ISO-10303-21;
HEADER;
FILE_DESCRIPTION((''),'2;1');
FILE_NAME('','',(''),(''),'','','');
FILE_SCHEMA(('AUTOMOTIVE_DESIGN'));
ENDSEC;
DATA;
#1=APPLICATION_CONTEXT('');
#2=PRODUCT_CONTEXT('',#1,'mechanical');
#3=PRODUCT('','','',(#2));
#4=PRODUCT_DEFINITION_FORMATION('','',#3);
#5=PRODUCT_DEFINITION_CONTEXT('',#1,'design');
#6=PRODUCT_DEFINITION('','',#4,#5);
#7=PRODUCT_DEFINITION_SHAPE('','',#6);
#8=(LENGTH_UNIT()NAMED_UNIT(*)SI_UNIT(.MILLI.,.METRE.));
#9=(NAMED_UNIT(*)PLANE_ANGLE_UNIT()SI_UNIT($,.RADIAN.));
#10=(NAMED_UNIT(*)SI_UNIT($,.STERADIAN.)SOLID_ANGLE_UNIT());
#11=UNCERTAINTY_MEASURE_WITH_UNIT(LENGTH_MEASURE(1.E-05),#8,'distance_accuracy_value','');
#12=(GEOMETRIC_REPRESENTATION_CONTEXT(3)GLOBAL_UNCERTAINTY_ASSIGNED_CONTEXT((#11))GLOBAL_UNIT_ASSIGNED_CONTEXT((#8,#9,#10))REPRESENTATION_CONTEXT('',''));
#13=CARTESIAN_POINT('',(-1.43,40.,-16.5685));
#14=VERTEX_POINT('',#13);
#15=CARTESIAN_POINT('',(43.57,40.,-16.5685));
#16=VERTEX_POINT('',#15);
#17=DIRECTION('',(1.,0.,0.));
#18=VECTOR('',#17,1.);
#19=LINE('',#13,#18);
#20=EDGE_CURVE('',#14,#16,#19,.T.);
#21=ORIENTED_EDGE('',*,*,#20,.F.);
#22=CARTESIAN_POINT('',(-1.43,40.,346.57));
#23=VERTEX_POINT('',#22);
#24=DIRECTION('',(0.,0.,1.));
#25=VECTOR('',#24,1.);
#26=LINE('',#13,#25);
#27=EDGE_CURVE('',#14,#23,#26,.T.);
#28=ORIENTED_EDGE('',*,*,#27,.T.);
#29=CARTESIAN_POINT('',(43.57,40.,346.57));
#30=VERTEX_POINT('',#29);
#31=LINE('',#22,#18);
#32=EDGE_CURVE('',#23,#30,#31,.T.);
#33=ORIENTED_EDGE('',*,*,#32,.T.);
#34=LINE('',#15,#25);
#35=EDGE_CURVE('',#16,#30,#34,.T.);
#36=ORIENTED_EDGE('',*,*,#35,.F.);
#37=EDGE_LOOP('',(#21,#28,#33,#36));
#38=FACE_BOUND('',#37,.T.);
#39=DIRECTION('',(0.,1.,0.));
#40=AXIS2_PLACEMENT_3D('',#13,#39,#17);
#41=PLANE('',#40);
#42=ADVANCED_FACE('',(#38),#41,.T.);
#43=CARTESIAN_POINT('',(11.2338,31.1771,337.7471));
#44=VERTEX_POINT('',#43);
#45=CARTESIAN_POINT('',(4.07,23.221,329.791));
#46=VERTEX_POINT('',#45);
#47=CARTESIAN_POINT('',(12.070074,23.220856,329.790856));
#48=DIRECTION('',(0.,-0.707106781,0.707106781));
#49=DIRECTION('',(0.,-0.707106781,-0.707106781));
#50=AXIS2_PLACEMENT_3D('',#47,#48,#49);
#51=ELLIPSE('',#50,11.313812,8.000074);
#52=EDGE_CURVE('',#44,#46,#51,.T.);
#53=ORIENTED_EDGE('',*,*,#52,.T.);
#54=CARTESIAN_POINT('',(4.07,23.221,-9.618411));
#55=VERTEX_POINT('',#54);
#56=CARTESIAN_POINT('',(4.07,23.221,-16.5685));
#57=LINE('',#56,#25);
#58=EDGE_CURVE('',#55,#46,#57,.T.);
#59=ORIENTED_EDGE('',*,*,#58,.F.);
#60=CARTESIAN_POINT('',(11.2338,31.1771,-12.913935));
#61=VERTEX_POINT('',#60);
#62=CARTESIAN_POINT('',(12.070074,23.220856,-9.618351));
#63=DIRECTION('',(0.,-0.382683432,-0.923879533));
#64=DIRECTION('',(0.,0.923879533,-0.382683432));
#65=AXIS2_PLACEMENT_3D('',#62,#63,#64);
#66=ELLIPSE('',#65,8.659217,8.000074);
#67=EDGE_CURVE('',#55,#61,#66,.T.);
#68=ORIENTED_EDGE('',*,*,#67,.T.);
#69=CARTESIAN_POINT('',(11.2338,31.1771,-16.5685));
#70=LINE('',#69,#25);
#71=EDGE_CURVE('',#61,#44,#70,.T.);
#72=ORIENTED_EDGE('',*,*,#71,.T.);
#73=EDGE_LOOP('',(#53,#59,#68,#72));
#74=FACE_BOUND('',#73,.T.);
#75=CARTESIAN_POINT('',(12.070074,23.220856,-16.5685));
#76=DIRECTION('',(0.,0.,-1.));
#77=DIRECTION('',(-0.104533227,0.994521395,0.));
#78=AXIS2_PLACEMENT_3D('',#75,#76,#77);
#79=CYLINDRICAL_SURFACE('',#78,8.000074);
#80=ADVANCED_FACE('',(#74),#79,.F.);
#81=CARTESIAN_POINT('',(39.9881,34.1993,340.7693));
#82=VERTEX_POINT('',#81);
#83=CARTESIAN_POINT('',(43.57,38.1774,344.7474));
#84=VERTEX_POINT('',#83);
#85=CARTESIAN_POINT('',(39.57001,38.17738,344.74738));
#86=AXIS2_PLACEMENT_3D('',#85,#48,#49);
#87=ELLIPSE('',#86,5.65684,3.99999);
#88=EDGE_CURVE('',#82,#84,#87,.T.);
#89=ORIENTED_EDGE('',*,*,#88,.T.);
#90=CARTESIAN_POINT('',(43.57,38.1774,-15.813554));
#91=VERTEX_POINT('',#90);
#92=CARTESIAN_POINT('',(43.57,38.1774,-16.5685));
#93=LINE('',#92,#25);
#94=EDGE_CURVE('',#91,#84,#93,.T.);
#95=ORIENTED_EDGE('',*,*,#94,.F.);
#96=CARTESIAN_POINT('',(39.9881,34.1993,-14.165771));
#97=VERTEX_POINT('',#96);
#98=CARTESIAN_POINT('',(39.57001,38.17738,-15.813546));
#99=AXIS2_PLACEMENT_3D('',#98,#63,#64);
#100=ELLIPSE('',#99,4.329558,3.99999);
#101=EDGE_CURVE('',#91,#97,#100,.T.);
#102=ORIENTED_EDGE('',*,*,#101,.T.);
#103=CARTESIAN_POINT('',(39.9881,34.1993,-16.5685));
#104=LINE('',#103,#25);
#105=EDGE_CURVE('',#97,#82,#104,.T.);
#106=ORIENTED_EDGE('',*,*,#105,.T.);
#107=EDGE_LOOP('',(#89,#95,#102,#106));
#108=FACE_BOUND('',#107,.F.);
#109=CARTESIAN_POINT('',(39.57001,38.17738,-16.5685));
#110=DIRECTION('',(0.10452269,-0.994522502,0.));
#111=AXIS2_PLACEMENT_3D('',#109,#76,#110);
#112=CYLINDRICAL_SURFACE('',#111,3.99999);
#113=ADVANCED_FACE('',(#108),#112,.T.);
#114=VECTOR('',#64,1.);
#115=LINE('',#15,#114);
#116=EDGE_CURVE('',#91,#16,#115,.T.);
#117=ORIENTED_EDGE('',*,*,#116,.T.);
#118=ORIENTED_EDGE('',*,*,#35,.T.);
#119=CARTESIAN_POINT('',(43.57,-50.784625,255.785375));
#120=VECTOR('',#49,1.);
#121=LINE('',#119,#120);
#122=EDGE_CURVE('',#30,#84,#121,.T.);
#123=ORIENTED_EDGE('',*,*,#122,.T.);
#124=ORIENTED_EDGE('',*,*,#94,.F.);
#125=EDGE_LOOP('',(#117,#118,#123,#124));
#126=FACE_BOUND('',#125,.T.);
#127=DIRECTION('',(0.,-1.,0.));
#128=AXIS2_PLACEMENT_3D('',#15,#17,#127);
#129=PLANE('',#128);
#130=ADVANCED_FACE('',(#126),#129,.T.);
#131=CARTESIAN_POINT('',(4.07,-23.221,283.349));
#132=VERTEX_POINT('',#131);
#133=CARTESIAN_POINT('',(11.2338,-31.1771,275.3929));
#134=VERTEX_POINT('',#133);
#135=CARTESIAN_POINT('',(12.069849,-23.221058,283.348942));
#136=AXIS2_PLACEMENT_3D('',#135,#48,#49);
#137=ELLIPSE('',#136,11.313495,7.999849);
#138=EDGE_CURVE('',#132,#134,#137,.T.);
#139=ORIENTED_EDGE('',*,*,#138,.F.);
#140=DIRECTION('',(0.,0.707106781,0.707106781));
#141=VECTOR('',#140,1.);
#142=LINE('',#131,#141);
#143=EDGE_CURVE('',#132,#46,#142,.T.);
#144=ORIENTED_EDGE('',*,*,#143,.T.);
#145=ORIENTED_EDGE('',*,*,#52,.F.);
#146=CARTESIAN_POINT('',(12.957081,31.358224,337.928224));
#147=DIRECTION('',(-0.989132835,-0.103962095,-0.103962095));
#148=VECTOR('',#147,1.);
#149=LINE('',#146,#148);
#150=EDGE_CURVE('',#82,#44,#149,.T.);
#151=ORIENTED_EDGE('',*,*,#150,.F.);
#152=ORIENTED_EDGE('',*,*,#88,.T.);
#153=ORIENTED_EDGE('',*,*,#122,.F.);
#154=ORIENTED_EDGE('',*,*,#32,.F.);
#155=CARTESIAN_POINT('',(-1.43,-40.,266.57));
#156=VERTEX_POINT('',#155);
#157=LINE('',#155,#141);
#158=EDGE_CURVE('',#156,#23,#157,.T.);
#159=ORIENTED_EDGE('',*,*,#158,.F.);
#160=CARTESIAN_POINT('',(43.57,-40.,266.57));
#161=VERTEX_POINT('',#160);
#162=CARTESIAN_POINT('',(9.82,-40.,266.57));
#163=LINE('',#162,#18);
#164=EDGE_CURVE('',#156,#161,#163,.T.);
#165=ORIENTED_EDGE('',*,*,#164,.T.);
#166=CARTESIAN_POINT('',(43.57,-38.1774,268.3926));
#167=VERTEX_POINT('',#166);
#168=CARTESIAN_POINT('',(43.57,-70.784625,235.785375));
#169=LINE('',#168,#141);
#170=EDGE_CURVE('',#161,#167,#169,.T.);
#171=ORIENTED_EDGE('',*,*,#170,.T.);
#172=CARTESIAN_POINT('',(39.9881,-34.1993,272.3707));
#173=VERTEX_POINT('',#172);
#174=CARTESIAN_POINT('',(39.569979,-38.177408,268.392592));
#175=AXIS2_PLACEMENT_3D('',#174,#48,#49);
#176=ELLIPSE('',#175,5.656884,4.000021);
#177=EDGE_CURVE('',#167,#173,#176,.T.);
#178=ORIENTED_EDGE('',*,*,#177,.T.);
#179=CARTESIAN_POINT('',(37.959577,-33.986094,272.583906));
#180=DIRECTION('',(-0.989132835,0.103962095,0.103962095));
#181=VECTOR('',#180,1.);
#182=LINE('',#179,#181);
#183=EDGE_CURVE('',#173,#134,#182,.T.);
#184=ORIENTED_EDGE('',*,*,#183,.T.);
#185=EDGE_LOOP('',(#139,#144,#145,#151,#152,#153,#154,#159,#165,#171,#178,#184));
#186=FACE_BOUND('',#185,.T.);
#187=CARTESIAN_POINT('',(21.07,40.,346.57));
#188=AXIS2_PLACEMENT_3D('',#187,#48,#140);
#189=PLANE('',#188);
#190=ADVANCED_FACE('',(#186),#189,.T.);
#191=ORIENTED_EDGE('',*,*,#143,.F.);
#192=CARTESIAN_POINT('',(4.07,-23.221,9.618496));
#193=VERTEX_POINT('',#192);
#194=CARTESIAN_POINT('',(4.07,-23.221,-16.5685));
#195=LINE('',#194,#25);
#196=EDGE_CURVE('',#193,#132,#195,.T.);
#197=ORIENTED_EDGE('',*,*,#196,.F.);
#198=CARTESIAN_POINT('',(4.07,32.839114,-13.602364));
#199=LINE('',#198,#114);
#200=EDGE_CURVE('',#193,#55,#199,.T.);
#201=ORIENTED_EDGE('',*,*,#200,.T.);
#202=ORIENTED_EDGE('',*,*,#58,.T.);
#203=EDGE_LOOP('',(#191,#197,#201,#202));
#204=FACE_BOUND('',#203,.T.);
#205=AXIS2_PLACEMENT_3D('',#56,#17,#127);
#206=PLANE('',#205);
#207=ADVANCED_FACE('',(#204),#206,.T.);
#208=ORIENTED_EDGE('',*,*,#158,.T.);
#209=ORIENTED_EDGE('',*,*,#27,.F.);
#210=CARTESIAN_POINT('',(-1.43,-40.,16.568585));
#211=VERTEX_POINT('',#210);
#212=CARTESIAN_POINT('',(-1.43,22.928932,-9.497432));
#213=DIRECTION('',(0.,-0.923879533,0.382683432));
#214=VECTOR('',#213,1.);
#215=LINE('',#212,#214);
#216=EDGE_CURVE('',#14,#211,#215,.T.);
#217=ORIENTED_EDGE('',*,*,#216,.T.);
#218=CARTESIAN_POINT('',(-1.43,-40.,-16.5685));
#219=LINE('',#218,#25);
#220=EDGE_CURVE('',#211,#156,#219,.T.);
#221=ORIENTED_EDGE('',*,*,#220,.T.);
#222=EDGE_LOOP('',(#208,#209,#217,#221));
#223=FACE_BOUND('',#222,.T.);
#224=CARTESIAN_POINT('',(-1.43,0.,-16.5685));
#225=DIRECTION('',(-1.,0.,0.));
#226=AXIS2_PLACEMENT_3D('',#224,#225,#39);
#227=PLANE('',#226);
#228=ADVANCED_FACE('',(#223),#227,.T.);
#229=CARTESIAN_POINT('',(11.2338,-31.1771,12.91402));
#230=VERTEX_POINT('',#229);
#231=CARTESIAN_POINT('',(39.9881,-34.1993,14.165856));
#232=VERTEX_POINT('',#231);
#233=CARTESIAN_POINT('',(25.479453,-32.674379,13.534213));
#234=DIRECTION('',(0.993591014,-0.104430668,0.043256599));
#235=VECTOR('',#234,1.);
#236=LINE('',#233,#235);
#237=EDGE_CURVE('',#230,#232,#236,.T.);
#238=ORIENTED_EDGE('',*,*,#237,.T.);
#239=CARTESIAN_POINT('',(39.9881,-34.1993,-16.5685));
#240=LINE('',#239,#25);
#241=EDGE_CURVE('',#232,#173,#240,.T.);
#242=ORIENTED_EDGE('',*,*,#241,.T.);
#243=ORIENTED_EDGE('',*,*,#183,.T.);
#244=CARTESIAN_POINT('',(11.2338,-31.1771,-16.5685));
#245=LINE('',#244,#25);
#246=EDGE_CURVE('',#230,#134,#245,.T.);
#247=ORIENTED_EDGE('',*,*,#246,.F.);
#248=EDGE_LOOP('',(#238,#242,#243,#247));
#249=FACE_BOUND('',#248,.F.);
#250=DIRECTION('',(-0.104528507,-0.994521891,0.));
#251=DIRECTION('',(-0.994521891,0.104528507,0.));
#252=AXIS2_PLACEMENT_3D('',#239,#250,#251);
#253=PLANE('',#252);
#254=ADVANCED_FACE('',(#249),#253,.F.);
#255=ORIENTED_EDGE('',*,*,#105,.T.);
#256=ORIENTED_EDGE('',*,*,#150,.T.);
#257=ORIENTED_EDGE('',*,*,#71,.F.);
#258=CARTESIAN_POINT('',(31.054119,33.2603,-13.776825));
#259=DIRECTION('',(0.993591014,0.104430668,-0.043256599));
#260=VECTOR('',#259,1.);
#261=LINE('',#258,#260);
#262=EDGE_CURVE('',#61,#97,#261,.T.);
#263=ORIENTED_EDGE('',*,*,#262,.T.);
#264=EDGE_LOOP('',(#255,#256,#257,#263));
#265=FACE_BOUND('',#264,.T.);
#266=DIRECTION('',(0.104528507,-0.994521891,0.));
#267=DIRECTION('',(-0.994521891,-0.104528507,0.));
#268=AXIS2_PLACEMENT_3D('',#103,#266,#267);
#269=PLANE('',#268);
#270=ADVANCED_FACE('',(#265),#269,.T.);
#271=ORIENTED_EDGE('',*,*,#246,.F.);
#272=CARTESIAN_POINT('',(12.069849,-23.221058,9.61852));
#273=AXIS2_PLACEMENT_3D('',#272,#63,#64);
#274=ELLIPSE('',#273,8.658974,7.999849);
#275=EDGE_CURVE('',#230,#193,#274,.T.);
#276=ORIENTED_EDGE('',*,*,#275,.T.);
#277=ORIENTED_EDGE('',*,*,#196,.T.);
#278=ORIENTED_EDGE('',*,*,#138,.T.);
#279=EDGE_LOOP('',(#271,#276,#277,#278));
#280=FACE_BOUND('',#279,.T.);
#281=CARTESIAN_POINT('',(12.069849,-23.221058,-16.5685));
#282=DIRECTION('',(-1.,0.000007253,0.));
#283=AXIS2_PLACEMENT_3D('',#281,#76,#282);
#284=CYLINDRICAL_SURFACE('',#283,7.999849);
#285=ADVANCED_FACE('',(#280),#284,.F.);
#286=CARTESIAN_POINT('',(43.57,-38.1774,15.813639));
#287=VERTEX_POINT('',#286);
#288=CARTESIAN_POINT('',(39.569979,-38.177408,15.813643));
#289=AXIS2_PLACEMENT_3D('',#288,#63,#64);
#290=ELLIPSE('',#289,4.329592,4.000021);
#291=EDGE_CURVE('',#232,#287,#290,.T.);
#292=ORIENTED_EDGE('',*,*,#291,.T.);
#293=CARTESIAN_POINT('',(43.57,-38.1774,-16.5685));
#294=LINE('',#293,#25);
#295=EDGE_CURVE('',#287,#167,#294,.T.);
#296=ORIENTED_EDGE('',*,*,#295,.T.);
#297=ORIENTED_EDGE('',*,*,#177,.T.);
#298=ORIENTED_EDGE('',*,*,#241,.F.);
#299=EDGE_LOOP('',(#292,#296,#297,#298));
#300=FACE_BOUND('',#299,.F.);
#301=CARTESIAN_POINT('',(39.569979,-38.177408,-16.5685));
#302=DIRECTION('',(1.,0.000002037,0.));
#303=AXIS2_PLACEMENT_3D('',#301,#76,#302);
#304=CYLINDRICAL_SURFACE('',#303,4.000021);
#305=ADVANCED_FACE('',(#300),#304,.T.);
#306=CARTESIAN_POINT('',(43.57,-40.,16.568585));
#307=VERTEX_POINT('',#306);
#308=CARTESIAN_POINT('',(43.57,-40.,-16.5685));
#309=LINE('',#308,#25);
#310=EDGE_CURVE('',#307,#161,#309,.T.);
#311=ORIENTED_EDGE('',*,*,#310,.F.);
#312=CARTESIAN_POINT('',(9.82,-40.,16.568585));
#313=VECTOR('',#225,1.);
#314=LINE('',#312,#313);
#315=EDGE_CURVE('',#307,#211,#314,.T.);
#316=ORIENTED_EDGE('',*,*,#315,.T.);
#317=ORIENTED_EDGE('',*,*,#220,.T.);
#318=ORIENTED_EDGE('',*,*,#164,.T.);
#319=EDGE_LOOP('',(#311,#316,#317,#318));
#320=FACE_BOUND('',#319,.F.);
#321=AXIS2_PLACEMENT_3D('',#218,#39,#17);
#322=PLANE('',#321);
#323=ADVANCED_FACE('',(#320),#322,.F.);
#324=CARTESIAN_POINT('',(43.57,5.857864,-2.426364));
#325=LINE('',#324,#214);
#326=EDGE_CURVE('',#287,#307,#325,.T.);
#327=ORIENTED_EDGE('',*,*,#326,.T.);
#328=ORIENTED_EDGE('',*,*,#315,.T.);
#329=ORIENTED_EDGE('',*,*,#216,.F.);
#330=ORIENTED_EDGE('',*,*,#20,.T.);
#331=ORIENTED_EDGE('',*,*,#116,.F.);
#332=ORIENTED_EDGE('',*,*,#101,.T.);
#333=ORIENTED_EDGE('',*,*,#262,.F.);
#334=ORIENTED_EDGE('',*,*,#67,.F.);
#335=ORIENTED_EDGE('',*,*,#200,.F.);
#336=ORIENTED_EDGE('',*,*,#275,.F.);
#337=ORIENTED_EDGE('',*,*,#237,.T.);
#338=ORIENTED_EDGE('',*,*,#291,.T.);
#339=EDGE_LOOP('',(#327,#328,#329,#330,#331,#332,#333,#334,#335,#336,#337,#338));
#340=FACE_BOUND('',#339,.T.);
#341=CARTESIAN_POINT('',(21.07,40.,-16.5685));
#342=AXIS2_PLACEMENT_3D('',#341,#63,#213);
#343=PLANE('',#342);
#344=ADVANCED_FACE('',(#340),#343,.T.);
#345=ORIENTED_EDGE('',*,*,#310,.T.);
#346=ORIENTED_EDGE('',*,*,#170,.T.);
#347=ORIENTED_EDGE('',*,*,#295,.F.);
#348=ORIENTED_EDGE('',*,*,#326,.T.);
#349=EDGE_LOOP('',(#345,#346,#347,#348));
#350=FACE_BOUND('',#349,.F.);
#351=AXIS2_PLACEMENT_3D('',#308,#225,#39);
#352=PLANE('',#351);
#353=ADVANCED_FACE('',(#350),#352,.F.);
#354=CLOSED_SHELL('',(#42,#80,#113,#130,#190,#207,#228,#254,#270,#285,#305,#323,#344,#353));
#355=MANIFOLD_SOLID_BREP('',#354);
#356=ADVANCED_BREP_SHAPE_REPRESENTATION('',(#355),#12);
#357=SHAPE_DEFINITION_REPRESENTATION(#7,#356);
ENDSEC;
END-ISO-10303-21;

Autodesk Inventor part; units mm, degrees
ref_plane "Начальная плоскость" through (0, 0, -16.5685) normal (0, 0, 1) x (1, 0, 0)
ref_plane "Конечная плоскость" through (0, 0, 346.57) normal (0, 0, 1) x (1, 0, 0)
sketch "Эскиз" plane through (0, 0, 0) normal (0, 0, 1) x (1, 0, 0)
  line L0 (-1.43, 0) -> (-1.43, 40)
  line L1 (-1.43, 40) -> (43.57, 40)
  line L2 (43.57, 40) -> (43.57, 38.1774)
  line L3 (39.9881, 34.1993) -> (11.2338, 31.1771)
  line L4 (4.07, 23.221) -> (4.07, 0)
  line L5 (4.07, 0) -> (-1.43, 0) construction
  line L6 (23.82, 40) -> (23.82, 32.5) construction
  line L7 (43.57, 34.5758) -> (43.57, 32.5) construction
  line L8 (43.57, 32.5) -> (23.82, 32.5) construction
  line L9 (0, 15) -> (0, -27) construction
  line L10 (-5.539, 0) -> (16.0067, 0) construction
  line L11 (-1.43, 0) -> (-1.43, -40)
  line L12 (-1.43, -40) -> (43.57, -40)
  line L13 (43.57, -40) -> (43.57, -38.1774)
  line L14 (39.9881, -34.1993) -> (11.2338, -31.1771)
  line L15 (4.07, -23.221) -> (4.07, 0)
  arc A0 (11.2338, 31.1771) -> (4.07, 23.221) centre (12.07, 23.221) ccw
  arc A1 (4.07, -23.221) -> (11.2338, -31.1771) centre (12.07, -23.221) ccw
  arc A2 (39.9881, 34.1993) -> (43.57, 38.1774) centre (39.57, 38.1774) ccw
  arc A3 (43.57, -38.1774) -> (39.9881, -34.1993) centre (39.57, -38.1774) ccw
  line L16 (0, 56) -> (0, -56) construction
  line L17 (-15.5135, 0) -> (54.308, 0) construction
  point P0 (4.07, 30.4242)
  point P1 (43.57, -34.5758)
  point P2 (4.07, -30.4242)
  point P3 (23.82, -40)
  point P4 (23.82, -32.5)
  dimension "d0" = 5.5
  dimension "d1" = 40
  dimension "d2" = 45
  dimension "d3" = 7.5
  dimension "d4" = 19.75
  dimension "d5" = 2.0758
  dimension "d23" = 8
  dimension "d24" = 4
  dimension "d25" = 1.43
extrude "Тело" add sketch "Эскиз" along normal up to surface (363.1385 mm away) from surface at -16.5685
sketch "Sketch3" plane through (0, 0, 0) normal (0, 0, 1) x (1, 0, 0)
  line L0 (0, 0) -> (10, 0)
ref_plane "Work Plane3" through (0, 0, 0) normal (0, -1, 0) x (1, 0, 0)
sketch "Sketch4" plane through (0, 0, 0) normal (0, -1, 0) x (1, 0, 0)
  line L0 (-2, -16.5685) -> (12, -16.5685)
  line L1 (-2, 346.57) -> (12, 346.57)
  dimension "d29" = 363.1385
ref_plane "РабПлоскость4" through (21.07, 40, 346.57) normal (0, -0.7071, 0.7071) x (1, 0, 0)
split "Разделение1" plane through (21.07, 40, 346.57) removes the side toward (0, -0.7071, 0.7071)
ref_plane "РабПлоскость5" through (21.07, 40, -16.5685) normal (0, -0.3827, -0.9239) x (1, 0, 0)
split "Разделение2" plane through (21.07, 40, -16.5685) removes the side toward (0, -0.3827, -0.9239)
equation "\"d0\" = G_T"
equation "\"d1\" = 0.5 * G_H"
equation "\"d2\" = G_W"
equation "\"d3\" = G_T1"
equation "\"d4\" = G_C"
equation "\"d23\" = G_IR"
equation "\"d24\" = G_ER"
equation "\"d25\" = ex"
equation "\"d6\" = G_L"
equation "\"G_W\" = 45"
equation "\"G_T\" = 5.5"
equation "\"G_T1\" = 7.5"
equation "\"G_NG\" = 0.105104"
equation "\"G_ER\" = 4"
equation "\"G_IR\" = 8"
equation "\"G_C\" = 19.75"
equation "\"G_L\" = d29"
equation "\"ex\" = 1.43"
equation "\"G_OFFSET_START\" = 16.56854"
equation "\"d26\" = -G_OFFSET_START"
equation "\"d27\" = G_OFFSET_END + B_L"
equation "\"B_L\" = 306.57"
equation "\"G_H\" = 80"
equation "\"G_OFFSET_END\" = 40"
properties part number "ISO 657/11 - CH 80 x 8 - 363,14" material "Сталь, мягкая"
